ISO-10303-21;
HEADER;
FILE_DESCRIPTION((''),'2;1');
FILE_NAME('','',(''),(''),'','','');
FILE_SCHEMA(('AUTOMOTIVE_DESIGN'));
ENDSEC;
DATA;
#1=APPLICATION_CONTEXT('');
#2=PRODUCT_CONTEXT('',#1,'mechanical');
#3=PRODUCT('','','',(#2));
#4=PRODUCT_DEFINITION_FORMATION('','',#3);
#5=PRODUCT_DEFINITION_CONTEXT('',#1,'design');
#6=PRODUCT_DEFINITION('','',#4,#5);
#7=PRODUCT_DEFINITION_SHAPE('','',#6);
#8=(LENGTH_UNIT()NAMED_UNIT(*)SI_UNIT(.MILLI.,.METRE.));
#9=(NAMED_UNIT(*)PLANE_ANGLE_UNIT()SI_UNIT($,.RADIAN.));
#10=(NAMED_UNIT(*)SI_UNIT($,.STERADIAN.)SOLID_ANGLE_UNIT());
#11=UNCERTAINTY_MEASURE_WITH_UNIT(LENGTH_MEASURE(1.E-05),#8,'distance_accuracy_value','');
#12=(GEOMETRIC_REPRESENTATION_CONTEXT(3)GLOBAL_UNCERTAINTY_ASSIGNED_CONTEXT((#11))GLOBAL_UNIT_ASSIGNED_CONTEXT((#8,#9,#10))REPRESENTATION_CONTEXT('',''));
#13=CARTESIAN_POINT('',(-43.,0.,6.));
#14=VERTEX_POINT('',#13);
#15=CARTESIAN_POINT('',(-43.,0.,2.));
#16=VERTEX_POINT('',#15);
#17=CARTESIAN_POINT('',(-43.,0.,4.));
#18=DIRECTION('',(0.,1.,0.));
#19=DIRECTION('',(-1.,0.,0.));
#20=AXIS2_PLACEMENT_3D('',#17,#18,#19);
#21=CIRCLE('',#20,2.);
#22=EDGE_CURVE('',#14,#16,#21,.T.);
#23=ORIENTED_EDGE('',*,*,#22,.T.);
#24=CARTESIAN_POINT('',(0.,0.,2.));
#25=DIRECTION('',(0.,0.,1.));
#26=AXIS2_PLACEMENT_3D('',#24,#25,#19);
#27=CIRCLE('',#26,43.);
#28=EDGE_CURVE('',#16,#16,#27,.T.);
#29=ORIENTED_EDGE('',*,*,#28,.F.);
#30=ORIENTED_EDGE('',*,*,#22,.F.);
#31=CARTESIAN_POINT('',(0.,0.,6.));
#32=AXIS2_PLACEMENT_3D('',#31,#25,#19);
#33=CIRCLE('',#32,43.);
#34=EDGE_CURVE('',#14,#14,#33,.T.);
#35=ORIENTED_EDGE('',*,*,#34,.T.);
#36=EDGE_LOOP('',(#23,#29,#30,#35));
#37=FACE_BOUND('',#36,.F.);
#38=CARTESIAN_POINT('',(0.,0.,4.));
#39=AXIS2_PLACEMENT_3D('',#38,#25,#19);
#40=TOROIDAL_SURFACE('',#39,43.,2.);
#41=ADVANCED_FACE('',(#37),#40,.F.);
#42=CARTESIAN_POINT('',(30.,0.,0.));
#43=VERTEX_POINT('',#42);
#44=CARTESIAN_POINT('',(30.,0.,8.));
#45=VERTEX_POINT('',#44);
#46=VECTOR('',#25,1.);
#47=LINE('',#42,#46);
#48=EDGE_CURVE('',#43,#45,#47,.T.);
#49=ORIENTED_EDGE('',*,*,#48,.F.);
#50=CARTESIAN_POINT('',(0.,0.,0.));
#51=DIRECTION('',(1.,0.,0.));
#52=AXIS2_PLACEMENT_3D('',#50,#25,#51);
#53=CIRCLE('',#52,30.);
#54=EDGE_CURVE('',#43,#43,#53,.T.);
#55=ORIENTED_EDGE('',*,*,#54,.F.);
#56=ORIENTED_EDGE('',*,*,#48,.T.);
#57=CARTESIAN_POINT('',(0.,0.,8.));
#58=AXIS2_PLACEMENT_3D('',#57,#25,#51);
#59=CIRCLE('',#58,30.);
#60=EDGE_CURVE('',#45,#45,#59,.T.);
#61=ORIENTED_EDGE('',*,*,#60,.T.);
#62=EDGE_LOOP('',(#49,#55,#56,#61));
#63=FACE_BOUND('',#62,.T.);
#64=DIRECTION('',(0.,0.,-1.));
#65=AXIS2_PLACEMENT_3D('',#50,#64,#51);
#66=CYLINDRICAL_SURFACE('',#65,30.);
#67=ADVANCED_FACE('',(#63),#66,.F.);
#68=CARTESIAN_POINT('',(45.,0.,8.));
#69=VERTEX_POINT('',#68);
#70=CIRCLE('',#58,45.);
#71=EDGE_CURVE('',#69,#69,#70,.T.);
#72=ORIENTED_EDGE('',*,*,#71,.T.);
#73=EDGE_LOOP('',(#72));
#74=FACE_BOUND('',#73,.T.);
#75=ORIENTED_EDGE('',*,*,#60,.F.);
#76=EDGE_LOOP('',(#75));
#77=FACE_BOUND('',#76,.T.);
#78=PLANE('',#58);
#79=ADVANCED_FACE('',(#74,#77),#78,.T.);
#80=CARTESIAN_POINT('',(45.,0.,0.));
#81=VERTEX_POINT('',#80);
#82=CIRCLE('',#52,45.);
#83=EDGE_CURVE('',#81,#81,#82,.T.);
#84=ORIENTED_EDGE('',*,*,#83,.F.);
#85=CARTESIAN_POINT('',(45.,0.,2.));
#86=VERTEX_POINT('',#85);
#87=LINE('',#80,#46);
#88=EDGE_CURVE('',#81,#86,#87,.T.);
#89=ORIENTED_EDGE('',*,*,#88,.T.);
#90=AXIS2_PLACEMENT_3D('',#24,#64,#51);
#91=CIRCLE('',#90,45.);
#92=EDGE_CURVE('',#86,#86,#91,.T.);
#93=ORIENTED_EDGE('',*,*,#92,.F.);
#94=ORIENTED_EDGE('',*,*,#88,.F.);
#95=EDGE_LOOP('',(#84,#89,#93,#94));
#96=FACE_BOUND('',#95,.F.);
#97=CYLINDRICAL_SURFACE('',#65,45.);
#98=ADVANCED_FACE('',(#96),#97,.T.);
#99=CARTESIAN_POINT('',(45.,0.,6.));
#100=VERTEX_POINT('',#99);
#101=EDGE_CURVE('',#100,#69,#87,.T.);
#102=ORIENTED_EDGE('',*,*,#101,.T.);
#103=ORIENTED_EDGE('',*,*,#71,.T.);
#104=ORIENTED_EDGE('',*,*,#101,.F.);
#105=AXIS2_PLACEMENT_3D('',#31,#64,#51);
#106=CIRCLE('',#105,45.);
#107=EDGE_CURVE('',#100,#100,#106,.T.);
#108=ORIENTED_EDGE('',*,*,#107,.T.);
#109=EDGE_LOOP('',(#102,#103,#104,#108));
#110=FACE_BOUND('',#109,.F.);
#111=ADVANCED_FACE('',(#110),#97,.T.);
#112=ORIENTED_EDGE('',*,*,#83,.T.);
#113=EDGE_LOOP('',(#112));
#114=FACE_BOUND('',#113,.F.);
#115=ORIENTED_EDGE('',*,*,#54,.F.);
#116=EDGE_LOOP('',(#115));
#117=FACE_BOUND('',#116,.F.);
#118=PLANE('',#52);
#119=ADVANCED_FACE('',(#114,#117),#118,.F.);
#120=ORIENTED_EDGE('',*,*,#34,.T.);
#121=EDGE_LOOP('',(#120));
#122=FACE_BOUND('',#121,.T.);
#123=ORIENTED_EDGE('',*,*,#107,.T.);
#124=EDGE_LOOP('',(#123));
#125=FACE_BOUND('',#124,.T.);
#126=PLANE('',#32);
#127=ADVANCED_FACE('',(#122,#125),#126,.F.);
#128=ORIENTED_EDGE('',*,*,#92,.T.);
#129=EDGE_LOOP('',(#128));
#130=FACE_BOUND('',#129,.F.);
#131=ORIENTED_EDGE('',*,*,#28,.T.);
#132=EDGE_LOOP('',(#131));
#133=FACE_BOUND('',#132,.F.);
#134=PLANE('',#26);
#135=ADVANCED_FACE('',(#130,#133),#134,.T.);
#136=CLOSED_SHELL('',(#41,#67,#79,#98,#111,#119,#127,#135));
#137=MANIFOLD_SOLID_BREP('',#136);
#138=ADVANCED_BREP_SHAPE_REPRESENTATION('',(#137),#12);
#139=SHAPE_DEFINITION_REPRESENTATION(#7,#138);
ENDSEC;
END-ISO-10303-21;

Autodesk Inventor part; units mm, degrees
ref_plane "YZ Plane" through (0, 0, 0) normal (1, 0, 0) x (0, 1, 0)
ref_plane "XZ Plane" through (0, 0, 0) normal (0, 1, 0) x (-1, 0, 0)
ref_plane "XY Plane" through (0, 0, 0) normal (0, 0, 1) x (1, 0, 0)
sketch "Эскиз1" plane through (0, 0, 0) normal (0, 0, 1) x (1, 0, 0)
  circle A0 centre (0, 0) radius 30
  circle A1 centre (0, 0) radius 45
  dimension "d0" = 60
  dimension "d1" = 90
extrude "Выдавливание1" add sketch "Эскиз1" along normal blind 8
sketch "Эскиз2" plane through (0, 0, 0) normal (0, 1, 0) x (-1, 0, 0)
  line L0 (45, 0) -> (45, 8) projected
  line L1 (0, -1.6) -> (0, 9.6) projected
  line L2 (45, 0) -> (45, 8) projected
  line L3 (45, 4) -> (43, 4)
  circle A0 centre (43, 4) radius 2
  line L4 (43, 6) -> (45, 6)
  line L5 (43, 2) -> (45, 2)
  line L6 (45, 0) -> (45, 8) projected
  point P0 (0, 0)
  dimension "d6" = 2
  dimension "d7" = 4
revolve "Вращение1" cut sketch "Эскиз2" angle 360 about axis through (0, 0, -10) along (0, 0, 1)
properties part number "Дроссельное кольцо_CPY" material "Сталь, высокопрочная, низколегированная"
